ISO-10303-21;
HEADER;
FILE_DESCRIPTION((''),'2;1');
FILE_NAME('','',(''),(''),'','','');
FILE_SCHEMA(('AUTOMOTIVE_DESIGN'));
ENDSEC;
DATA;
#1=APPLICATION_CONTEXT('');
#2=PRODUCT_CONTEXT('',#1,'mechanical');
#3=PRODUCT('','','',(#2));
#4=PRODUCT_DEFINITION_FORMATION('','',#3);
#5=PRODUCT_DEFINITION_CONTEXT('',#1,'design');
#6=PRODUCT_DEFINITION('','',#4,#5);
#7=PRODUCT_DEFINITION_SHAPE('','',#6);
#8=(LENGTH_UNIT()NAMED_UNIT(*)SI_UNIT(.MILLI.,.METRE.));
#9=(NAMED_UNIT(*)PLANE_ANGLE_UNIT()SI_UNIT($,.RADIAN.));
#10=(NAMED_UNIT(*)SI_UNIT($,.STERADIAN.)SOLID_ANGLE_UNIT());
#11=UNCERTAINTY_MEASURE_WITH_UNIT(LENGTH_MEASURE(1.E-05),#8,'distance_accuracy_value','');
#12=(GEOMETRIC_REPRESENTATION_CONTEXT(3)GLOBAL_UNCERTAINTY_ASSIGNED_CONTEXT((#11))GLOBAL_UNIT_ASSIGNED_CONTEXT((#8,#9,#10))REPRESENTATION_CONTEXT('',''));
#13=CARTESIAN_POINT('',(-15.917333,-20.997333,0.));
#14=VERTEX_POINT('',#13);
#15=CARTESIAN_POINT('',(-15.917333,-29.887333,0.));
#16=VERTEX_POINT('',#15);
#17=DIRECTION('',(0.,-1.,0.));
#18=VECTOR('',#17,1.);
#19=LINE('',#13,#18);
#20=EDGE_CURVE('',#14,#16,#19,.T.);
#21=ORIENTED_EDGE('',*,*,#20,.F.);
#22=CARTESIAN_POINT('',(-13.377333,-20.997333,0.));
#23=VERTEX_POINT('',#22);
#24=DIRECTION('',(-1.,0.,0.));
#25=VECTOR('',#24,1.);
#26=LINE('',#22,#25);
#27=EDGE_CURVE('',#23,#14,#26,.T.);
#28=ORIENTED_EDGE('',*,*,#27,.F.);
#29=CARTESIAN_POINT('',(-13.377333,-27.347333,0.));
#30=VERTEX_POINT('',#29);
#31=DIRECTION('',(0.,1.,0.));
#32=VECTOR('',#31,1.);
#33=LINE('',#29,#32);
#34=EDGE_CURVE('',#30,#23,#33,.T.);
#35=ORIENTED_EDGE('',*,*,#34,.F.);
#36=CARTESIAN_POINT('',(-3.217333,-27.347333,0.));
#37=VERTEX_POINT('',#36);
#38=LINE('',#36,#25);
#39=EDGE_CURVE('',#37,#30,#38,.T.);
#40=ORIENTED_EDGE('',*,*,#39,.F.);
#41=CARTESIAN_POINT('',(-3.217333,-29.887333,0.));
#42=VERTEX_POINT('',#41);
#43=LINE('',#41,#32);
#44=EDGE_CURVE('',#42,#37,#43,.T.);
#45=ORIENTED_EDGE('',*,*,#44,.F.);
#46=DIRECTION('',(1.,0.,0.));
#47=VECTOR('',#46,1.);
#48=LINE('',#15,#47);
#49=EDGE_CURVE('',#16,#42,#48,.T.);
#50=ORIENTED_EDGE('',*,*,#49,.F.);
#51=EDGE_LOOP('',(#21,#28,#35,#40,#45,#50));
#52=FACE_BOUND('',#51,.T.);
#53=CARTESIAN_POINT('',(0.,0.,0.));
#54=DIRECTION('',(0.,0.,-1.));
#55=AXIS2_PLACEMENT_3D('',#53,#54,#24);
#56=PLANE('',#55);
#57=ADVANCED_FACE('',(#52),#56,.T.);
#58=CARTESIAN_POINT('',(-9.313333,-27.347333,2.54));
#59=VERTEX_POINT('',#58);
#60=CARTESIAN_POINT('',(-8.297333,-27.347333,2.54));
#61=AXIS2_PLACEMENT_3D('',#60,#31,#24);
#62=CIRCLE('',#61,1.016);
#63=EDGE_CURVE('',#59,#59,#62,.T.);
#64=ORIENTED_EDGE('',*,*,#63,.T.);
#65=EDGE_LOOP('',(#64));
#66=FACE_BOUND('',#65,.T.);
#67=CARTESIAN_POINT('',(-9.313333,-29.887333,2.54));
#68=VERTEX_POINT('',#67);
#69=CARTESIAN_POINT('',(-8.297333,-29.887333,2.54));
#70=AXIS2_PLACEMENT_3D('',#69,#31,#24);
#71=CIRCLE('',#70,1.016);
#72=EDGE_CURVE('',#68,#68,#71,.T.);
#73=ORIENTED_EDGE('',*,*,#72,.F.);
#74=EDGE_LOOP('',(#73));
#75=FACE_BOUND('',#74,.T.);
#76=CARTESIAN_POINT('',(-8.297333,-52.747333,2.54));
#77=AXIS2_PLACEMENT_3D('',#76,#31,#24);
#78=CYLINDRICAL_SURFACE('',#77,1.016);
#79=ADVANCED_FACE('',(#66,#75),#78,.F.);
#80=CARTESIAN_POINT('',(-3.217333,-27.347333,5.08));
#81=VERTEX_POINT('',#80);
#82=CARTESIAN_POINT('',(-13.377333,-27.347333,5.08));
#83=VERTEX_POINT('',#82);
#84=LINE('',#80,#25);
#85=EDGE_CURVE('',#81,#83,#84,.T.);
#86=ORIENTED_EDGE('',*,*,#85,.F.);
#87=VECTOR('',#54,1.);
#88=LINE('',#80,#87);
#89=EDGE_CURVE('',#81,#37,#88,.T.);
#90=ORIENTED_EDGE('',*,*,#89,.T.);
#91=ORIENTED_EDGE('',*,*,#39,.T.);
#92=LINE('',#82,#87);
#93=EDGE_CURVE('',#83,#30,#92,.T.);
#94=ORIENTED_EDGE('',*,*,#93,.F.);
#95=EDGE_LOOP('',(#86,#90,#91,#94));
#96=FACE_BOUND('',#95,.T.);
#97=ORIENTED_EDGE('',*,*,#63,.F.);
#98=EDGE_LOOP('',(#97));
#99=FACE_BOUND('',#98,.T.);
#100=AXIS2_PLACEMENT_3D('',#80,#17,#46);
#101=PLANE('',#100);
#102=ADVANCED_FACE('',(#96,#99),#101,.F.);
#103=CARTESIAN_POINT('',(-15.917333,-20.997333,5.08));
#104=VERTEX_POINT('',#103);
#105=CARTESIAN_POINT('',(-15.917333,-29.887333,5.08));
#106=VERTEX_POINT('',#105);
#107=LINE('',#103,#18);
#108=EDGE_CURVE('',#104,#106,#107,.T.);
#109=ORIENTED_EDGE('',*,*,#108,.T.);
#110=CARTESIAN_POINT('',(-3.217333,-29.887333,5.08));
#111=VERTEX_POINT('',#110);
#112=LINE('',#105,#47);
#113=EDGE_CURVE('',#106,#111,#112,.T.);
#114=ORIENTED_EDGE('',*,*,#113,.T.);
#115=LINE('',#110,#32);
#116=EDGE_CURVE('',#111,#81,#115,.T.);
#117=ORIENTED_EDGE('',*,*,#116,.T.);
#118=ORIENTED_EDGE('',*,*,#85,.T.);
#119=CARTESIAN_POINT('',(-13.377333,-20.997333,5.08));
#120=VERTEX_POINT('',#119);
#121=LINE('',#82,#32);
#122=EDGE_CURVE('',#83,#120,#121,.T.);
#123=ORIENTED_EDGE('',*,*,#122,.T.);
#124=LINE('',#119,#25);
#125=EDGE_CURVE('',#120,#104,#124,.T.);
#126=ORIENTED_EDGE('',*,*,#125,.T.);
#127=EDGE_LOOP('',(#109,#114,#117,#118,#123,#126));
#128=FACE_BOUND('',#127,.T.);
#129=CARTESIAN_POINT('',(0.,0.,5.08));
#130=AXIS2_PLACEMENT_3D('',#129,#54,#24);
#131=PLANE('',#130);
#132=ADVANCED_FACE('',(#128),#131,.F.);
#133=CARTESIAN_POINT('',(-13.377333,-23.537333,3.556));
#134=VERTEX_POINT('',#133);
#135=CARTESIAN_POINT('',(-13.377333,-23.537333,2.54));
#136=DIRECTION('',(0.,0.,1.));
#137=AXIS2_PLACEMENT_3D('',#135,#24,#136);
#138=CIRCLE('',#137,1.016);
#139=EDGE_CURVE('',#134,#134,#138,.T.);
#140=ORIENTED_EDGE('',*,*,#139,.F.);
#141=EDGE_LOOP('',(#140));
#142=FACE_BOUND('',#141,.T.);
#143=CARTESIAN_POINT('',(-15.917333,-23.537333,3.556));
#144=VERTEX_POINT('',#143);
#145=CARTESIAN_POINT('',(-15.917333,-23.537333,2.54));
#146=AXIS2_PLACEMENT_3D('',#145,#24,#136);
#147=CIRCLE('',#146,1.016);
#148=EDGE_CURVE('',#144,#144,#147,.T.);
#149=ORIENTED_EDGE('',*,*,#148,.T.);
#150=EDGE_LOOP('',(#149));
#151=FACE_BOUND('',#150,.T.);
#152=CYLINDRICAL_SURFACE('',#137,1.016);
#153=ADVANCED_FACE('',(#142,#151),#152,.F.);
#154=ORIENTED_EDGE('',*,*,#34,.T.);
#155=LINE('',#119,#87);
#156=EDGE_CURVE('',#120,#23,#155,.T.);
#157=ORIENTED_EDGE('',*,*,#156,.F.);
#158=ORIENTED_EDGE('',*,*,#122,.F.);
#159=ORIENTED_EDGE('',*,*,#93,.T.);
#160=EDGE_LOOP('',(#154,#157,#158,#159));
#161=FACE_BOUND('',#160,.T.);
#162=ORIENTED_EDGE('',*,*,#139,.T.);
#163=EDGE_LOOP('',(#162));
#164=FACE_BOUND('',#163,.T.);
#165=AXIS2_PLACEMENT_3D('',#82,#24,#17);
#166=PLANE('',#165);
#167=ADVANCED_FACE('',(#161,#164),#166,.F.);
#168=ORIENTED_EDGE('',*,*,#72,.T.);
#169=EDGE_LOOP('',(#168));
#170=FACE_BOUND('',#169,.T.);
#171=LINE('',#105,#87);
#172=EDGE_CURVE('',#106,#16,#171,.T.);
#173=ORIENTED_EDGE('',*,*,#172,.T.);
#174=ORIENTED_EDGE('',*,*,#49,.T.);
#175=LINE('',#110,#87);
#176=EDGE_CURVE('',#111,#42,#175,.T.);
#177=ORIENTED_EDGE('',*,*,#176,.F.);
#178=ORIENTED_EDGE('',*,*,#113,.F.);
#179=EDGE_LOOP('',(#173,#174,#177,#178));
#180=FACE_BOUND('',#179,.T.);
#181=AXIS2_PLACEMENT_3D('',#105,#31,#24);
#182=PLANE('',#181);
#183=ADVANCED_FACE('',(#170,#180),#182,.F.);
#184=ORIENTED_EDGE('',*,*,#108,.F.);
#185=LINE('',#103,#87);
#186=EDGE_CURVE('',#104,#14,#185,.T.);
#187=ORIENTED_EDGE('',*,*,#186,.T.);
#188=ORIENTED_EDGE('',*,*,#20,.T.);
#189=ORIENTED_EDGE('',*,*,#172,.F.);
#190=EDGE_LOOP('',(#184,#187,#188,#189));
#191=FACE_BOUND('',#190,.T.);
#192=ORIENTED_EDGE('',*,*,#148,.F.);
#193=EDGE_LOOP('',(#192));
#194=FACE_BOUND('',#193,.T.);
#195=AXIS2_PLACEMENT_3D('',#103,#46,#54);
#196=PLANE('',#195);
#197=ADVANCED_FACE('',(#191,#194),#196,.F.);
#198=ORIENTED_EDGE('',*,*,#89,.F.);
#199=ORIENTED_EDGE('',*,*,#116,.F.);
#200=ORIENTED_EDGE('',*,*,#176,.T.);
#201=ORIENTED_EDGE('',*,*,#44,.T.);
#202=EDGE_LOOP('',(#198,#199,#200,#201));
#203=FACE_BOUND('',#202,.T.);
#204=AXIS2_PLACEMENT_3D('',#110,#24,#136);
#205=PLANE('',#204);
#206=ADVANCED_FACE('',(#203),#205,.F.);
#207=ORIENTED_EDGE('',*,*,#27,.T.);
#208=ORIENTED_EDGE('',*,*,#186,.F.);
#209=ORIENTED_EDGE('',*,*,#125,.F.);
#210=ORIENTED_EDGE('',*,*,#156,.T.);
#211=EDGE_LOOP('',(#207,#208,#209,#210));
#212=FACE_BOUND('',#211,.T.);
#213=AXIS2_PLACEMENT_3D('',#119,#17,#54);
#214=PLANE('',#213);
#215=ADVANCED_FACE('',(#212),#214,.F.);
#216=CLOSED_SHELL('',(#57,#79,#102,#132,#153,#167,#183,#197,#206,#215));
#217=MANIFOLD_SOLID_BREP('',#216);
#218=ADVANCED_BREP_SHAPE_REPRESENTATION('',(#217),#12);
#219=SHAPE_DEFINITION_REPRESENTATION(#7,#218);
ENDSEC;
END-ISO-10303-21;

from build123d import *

# Parameters (mm, degrees)
BOSS_EXTRUDE2_DEPTH = 5.08
SKETCH3_R           = 1.016
CUT_EXTRUDE1_DEPTH  = 25.4
SKETCH4_R           = 1.016
CUT_EXTRUDE2_DEPTH  = 2.54


with BuildPart() as part:
    # Sketch1 → Boss-Extrude2 (new body)
    with BuildSketch(Plane.XY):
        Polygon((-15.917333333, -20.997333333), (-15.917333333, -29.887333333), (-3.217333333, -29.887333333), (-3.217333333, -27.347333333), (-13.377333333, -27.347333333), (-13.377333333, -20.997333333), align=None)
    extrude(amount=BOSS_EXTRUDE2_DEPTH)

    # Sketch3 → Cut-Extrude1 (cut)
    with BuildSketch(Plane(origin=(0, -27.347333333, 0), x_dir=(1, 0, 0), z_dir=(0, 1, 0))):
        with Locations((-8.297333333, -2.54)):
            Circle(SKETCH3_R)
    extrude(amount=-CUT_EXTRUDE1_DEPTH, mode=Mode.SUBTRACT)

    # Sketch4 → Cut-Extrude2 (cut)
    with BuildSketch(Plane.ZY.offset(15.917333333)):
        with Locations((2.54, -23.537333333)):
            Circle(SKETCH4_R)
    extrude(amount=-CUT_EXTRUDE2_DEPTH, mode=Mode.SUBTRACT)


solid = part.part
